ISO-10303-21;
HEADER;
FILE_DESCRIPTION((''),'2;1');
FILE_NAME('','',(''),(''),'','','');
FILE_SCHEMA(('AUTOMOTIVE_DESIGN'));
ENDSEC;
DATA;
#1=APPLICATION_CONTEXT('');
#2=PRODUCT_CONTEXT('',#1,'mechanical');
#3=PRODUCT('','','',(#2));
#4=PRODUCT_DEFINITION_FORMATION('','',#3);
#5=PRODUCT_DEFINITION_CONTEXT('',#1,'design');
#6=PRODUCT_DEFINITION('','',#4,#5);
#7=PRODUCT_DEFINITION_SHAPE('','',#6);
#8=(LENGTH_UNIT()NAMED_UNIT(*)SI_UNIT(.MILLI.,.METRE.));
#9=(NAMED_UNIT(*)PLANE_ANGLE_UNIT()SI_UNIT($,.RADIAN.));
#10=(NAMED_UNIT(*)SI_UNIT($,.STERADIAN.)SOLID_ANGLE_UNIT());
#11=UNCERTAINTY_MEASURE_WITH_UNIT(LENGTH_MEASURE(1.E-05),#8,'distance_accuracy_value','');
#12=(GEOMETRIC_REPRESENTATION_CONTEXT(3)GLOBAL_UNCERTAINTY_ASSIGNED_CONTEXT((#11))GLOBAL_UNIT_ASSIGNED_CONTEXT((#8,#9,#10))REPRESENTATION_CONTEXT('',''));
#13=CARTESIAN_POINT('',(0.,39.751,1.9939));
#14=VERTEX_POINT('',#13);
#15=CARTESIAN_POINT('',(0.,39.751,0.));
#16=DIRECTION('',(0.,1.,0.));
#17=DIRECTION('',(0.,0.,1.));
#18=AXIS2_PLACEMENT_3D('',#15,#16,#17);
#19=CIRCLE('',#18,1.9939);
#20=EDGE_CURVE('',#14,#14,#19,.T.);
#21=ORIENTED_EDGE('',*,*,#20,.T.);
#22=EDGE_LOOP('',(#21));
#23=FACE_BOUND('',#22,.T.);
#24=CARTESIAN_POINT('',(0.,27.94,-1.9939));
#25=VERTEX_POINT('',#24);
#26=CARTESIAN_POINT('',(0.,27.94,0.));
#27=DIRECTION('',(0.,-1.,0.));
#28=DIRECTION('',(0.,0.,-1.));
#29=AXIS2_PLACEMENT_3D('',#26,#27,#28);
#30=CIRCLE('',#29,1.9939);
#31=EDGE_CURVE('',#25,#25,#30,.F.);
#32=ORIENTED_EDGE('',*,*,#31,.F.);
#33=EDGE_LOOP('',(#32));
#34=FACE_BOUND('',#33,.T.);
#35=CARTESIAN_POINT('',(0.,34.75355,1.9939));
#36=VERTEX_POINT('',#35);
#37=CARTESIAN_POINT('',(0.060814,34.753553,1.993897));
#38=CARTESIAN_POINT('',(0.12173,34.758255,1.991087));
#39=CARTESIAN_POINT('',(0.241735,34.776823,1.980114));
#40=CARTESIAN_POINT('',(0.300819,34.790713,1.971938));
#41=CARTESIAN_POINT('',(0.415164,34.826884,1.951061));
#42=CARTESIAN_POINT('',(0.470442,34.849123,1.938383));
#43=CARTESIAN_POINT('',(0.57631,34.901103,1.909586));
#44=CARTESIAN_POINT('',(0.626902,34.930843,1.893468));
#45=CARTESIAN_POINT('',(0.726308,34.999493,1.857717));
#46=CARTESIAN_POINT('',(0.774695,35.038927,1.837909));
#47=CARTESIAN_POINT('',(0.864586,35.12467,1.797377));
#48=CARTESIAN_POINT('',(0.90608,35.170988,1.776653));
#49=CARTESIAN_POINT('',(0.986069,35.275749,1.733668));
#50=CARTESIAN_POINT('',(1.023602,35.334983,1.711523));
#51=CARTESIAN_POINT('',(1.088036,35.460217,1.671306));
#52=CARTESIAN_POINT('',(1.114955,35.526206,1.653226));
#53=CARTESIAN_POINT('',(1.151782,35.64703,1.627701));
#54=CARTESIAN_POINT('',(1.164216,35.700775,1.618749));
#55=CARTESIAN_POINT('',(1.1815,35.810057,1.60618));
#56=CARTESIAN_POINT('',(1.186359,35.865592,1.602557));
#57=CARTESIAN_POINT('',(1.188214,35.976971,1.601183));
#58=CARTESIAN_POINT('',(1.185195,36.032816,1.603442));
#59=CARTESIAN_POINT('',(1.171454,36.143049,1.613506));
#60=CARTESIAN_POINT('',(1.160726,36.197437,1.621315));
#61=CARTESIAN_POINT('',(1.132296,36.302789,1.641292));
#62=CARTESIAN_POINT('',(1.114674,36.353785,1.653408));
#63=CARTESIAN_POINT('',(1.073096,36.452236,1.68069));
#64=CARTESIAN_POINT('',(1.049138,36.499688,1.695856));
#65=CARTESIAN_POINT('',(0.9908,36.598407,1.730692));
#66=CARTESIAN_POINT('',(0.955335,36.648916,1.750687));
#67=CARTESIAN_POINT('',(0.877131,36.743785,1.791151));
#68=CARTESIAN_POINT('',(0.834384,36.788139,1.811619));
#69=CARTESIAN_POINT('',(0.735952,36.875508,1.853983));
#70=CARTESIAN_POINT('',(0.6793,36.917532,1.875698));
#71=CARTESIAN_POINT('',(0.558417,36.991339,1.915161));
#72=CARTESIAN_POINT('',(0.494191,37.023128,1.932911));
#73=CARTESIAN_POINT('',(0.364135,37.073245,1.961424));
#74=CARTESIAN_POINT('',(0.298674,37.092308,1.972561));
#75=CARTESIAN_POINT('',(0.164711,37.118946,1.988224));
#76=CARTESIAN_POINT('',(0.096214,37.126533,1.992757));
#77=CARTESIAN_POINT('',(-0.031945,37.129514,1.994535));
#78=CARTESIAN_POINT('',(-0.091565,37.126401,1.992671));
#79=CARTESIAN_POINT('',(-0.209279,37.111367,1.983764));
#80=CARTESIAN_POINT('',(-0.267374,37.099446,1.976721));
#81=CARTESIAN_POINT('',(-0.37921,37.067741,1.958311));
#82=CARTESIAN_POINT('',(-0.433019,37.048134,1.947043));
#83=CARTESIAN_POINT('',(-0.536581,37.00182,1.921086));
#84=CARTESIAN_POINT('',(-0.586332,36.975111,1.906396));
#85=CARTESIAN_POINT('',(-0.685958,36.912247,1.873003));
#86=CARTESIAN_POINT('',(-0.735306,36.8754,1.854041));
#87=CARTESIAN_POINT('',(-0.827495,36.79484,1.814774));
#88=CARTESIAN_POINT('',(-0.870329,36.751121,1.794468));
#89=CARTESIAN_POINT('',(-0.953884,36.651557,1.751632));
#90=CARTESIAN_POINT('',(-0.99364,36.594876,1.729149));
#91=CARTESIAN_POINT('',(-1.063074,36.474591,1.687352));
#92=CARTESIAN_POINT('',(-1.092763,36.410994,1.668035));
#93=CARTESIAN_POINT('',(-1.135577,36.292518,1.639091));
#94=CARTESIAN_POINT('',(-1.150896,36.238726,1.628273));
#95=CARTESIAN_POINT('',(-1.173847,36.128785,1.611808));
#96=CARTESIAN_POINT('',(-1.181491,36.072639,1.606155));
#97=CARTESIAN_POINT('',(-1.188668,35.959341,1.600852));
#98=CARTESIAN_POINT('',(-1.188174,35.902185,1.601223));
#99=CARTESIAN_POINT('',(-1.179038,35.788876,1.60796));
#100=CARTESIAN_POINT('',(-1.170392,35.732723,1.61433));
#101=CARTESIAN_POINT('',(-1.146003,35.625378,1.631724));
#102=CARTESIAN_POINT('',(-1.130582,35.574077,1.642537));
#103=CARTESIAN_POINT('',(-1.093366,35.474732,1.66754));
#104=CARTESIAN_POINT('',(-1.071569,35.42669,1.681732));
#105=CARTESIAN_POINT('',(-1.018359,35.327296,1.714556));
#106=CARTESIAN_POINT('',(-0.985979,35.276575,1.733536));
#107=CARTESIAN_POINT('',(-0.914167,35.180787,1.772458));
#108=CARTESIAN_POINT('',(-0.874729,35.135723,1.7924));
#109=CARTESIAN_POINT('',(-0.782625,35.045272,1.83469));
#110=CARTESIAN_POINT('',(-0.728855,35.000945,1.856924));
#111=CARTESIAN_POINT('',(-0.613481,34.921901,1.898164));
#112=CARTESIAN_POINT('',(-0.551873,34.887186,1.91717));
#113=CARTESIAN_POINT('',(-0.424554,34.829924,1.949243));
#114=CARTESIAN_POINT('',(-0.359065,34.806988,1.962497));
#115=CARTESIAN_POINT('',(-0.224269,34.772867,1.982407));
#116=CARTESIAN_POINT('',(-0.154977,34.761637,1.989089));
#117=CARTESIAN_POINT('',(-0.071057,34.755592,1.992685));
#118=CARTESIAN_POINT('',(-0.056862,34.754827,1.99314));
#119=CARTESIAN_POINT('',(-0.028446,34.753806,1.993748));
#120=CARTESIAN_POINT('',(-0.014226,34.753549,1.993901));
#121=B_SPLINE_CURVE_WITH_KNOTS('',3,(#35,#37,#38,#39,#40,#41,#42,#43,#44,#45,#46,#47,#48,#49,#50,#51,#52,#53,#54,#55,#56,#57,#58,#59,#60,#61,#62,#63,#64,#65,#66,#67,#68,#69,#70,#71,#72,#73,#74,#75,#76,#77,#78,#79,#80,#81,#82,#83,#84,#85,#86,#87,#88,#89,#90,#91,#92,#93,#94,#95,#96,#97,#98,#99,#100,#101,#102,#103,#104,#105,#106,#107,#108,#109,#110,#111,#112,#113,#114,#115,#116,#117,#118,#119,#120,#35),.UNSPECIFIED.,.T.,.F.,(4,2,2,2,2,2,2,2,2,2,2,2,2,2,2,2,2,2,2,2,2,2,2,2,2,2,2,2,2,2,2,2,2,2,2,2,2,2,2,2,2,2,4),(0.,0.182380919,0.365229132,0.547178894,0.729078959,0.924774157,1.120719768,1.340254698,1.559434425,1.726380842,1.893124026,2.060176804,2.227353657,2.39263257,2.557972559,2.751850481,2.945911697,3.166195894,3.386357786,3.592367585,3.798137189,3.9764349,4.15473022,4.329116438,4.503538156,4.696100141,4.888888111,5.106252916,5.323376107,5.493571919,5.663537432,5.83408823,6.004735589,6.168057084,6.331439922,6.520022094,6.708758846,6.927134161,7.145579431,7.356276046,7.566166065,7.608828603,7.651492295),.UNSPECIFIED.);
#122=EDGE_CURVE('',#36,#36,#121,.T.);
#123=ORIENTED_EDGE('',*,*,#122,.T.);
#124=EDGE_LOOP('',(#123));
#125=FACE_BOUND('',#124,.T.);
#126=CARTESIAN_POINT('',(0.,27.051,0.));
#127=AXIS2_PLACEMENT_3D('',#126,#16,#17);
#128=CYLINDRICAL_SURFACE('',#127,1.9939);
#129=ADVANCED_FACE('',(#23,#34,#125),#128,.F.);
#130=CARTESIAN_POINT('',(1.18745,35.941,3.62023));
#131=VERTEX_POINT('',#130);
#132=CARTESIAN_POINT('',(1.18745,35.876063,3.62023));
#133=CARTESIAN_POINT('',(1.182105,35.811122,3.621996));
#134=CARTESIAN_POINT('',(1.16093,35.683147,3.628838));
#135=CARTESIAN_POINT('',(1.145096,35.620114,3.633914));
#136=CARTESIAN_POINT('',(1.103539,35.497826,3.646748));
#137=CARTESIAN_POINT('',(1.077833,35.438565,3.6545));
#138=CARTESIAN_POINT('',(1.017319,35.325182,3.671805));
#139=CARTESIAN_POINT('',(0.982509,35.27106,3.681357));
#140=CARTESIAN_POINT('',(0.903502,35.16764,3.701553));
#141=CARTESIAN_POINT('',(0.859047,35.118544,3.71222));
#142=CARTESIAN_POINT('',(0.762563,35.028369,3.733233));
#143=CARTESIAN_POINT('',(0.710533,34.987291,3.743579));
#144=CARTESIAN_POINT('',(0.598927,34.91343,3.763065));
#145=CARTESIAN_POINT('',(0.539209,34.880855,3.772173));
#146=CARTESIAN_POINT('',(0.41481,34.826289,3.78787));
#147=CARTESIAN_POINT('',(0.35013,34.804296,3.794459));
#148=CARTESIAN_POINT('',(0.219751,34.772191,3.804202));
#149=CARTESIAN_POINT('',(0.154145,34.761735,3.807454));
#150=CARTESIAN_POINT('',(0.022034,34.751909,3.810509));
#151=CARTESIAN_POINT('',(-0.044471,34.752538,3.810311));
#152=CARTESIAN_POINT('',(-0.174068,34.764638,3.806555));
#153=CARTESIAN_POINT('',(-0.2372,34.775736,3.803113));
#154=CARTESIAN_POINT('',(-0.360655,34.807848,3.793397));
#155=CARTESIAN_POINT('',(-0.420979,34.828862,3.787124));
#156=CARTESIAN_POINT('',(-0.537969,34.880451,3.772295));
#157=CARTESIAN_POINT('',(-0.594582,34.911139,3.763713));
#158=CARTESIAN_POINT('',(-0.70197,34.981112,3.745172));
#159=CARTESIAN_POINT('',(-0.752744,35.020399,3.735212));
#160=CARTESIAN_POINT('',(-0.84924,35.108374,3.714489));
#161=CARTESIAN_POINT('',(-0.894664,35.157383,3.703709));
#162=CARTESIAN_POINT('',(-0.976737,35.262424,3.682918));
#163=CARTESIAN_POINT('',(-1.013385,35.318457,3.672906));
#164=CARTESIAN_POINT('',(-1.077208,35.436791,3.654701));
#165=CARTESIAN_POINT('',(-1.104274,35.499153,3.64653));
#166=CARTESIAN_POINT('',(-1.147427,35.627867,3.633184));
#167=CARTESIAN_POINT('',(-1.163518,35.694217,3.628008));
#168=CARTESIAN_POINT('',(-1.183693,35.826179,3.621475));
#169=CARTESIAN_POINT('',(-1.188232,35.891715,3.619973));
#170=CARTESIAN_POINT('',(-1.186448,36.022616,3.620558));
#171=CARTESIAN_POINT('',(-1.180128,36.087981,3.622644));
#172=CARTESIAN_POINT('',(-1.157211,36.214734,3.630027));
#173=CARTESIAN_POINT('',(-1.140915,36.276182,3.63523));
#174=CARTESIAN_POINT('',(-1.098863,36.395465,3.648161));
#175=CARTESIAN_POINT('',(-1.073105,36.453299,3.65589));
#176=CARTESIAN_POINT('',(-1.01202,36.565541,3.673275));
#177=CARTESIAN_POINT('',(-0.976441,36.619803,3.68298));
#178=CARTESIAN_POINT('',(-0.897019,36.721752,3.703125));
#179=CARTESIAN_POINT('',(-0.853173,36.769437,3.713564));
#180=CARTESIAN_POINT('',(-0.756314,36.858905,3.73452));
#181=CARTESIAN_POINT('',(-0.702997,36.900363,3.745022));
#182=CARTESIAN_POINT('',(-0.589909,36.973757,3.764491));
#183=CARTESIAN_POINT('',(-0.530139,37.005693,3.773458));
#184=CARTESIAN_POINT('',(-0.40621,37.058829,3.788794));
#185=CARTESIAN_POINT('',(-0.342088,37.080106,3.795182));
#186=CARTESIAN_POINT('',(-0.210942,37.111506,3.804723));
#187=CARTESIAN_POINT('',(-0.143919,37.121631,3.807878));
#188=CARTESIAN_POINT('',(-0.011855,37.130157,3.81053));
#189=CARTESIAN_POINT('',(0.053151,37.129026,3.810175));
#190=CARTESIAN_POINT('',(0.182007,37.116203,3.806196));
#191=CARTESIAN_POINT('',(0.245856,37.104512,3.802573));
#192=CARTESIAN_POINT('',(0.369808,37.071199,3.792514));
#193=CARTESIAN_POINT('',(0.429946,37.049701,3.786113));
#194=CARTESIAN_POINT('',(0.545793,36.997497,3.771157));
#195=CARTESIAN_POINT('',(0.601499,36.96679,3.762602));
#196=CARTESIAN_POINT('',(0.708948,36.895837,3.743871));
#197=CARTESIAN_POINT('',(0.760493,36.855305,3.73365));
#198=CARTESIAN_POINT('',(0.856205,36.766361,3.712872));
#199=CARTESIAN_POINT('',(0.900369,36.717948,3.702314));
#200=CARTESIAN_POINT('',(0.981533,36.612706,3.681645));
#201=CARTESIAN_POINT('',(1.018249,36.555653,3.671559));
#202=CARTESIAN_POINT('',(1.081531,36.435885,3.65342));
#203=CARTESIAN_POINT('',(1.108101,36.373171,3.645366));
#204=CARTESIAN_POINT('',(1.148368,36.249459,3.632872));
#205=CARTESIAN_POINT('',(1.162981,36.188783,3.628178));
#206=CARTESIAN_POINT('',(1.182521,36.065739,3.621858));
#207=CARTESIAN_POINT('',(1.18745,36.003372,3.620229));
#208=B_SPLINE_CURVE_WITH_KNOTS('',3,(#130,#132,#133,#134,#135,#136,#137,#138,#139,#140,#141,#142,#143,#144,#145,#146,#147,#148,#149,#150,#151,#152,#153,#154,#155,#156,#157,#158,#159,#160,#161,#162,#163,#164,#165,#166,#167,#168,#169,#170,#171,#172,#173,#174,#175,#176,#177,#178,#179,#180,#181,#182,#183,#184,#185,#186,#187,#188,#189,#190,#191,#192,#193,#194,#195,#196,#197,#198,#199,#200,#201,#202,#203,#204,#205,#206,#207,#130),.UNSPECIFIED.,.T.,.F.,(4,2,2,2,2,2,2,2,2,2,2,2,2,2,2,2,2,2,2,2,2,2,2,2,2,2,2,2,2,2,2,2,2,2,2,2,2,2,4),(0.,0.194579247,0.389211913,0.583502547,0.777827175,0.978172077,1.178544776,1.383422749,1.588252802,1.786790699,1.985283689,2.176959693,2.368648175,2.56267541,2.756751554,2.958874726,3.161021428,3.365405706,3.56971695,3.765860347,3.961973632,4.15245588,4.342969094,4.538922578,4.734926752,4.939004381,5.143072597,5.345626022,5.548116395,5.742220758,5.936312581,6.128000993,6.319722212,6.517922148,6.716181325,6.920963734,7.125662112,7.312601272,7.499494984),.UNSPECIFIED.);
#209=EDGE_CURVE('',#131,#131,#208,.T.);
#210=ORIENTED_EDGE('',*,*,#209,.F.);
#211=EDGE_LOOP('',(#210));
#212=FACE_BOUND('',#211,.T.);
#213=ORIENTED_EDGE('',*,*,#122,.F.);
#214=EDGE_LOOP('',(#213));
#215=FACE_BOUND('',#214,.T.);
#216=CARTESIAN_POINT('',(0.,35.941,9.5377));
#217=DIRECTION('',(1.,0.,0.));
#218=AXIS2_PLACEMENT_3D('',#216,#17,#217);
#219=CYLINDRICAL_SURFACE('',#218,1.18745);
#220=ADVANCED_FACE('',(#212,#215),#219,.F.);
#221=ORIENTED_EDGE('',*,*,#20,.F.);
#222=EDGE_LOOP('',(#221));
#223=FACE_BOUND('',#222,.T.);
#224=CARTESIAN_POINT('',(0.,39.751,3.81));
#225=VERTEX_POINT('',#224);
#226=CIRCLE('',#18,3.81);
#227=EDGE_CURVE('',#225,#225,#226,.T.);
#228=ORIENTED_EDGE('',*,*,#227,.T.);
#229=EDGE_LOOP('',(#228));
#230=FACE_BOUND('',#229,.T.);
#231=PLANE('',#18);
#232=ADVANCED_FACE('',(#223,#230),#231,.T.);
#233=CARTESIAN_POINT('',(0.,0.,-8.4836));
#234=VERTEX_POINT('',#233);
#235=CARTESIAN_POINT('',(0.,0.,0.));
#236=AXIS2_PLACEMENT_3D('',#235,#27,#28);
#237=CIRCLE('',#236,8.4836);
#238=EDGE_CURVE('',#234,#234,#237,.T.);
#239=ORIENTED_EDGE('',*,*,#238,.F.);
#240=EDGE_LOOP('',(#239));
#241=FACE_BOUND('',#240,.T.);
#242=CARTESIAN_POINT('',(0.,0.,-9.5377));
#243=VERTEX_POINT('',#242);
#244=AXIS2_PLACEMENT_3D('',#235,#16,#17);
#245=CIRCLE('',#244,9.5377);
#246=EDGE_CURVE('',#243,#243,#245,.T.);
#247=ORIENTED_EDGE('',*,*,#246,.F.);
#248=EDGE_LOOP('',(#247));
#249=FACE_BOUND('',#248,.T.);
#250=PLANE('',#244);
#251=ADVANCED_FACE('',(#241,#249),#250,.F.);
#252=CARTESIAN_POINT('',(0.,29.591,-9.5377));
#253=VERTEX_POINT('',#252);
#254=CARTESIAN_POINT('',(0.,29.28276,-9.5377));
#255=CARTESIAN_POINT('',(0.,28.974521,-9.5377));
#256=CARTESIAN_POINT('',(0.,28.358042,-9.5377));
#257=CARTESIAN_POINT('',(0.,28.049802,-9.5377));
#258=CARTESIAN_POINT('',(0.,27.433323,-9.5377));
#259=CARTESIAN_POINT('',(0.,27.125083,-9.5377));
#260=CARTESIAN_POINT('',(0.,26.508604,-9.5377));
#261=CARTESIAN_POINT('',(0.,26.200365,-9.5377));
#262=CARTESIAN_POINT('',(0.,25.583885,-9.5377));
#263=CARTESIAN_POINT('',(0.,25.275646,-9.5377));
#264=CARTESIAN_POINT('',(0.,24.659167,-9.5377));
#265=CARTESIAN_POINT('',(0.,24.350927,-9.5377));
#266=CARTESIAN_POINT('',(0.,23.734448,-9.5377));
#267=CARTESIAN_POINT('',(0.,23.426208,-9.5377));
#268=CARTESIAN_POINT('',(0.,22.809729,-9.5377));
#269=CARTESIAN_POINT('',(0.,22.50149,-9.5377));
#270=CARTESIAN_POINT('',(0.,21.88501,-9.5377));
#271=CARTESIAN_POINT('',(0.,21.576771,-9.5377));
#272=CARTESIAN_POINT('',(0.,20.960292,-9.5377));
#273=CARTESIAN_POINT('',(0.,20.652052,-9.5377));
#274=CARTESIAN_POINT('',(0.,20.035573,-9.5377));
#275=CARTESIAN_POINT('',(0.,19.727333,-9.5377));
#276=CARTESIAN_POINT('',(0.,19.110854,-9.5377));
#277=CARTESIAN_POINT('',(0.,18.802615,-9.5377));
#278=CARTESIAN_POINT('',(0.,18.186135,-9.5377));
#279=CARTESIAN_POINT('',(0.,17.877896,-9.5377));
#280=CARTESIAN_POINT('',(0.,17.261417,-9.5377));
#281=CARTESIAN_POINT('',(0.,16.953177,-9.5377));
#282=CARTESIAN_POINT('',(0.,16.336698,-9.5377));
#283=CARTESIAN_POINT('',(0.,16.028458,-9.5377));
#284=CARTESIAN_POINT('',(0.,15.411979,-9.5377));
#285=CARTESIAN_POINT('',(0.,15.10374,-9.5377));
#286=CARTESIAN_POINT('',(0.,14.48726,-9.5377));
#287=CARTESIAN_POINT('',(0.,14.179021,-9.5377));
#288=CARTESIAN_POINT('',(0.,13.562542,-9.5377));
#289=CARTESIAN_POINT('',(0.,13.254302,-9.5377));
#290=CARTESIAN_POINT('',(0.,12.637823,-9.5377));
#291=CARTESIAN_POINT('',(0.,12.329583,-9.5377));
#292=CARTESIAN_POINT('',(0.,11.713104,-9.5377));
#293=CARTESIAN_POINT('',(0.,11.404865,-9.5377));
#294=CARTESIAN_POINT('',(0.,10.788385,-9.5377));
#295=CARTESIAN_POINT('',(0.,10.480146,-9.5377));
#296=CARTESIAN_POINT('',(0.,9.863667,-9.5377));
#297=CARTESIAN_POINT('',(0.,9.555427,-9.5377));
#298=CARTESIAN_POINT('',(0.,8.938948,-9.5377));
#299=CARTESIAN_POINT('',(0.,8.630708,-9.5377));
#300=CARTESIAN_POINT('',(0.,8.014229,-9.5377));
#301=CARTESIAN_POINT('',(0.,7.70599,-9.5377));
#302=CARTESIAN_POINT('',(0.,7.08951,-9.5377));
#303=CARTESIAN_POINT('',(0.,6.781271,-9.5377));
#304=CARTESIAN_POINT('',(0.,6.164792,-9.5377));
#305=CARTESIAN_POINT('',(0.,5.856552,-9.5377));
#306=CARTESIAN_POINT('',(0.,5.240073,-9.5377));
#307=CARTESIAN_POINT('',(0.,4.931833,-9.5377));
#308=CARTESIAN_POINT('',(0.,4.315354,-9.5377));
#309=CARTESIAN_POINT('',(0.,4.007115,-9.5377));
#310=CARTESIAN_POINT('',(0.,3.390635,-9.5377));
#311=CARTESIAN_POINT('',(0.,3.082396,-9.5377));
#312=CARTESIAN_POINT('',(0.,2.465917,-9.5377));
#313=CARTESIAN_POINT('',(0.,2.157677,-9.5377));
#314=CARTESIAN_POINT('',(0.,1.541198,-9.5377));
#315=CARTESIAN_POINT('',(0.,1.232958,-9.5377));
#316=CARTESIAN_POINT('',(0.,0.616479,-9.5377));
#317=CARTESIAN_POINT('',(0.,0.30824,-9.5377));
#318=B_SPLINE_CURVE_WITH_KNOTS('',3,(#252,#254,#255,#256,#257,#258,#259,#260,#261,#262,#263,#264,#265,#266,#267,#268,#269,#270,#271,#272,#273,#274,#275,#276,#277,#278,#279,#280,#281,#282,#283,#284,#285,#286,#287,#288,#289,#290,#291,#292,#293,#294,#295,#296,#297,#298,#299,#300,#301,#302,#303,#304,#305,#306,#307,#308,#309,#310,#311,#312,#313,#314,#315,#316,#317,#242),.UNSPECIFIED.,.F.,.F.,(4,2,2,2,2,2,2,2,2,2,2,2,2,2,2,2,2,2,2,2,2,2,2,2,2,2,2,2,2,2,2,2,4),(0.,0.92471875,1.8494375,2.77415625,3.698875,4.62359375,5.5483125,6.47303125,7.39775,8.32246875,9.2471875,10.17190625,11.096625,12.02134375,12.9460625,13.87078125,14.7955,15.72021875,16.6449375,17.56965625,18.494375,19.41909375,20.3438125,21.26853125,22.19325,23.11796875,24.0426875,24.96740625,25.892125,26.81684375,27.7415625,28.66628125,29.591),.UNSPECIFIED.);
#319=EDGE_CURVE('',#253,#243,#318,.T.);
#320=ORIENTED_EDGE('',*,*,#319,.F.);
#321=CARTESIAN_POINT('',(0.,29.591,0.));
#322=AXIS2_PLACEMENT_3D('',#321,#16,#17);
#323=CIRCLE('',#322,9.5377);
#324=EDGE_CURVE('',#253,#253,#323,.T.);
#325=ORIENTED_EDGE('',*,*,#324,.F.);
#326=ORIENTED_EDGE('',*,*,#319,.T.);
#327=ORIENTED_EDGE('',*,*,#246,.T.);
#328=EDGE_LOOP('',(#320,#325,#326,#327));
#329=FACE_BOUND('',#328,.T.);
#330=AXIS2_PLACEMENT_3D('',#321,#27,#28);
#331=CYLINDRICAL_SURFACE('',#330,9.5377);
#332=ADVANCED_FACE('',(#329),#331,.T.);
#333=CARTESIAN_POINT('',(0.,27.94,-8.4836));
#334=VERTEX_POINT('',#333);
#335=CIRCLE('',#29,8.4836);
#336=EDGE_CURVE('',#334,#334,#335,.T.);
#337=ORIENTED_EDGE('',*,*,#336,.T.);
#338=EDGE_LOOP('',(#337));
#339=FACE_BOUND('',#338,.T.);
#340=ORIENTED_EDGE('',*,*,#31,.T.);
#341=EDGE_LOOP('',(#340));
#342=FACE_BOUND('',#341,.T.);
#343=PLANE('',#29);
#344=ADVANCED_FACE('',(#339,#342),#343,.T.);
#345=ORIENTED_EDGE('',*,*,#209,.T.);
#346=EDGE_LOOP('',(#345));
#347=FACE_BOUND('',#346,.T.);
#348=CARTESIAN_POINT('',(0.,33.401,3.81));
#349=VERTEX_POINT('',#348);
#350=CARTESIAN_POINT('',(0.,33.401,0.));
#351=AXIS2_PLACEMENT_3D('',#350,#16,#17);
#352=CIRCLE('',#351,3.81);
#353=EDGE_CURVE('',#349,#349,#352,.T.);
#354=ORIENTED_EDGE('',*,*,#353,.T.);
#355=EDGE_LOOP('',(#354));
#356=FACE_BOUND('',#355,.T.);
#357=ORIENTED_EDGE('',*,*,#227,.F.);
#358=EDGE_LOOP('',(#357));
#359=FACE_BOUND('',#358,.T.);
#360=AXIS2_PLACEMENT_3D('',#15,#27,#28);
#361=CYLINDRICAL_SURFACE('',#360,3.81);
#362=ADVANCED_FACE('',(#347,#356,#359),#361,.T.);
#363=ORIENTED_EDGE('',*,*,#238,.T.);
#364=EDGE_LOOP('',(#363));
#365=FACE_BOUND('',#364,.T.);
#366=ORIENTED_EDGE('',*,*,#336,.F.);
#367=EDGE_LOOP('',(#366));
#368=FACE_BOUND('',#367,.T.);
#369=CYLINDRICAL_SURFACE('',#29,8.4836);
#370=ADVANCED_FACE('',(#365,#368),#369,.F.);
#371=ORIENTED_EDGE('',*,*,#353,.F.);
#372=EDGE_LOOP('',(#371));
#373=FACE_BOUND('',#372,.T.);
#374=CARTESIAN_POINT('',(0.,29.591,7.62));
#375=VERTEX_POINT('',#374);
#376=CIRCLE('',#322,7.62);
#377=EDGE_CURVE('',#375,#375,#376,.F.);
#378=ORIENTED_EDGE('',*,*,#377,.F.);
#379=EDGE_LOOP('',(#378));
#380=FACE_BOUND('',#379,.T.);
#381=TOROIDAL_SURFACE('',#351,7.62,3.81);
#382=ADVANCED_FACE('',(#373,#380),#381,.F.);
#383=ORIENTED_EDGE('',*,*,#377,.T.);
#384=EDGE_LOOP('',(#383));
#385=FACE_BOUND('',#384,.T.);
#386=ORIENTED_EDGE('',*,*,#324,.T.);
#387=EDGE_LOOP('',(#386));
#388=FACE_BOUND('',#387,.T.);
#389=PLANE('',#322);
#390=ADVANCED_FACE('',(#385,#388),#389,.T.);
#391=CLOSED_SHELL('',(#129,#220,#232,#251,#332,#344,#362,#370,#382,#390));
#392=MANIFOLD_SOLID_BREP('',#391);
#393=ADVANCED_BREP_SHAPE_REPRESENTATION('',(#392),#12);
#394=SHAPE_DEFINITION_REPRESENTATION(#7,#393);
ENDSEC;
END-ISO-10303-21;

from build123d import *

# Parameters (mm, degrees)
SKETCH1_R                 = 9.5377
BOSS_EXTRUDE1_DEPTH       = 29.591
SKETCH2_R                 = 3.81
BOSS_EXTRUDE2_DEPTH       = 10.16
SKETCH3_R                 = 1.9939
CUT_EXTRUDE1_DEPTH        = 12.7
SKETCH4_R                 = 8.4836
CUT_EXTRUDE2_DEPTH        = 27.94
FILLET1_R                 = 3.81
F_4_48_TAPPED_HOLE2_D     = 2.3749
F_4_48_TAPPED_HOLE2_DEPTH = 8.89
F_4_48_TAPPED_HOLE2_TIP   = 0.713491942


with BuildPart() as part:
    # Sketch1 → Boss-Extrude1 (new body)
    with BuildSketch(Plane(origin=(0, 0, 0), x_dir=(1, 0, 0), z_dir=(0, 1, 0))):
        with Locations(Location((0, 0, 0), (0, 0, 90))):
            Circle(SKETCH1_R)
    extrude(amount=BOSS_EXTRUDE1_DEPTH)

    # Sketch2 → Boss-Extrude2 (add)
    with BuildSketch(Plane(origin=(0, 29.591, 0), x_dir=(1, 0, 0), z_dir=(0, 1, 0))):
        with Locations(Location((0, 0, 0), (0, 0, 270))):
            Circle(SKETCH2_R)
    extrude(amount=BOSS_EXTRUDE2_DEPTH)

    # Sketch3 → Cut-Extrude1 (cut)
    with BuildSketch(Plane(origin=(0, 39.751, 0), x_dir=(1, 0, 0), z_dir=(0, 1, 0))):
        with Locations(Location((0, 0, 0), (0, 0, 270))):
            Circle(SKETCH3_R)
    extrude(amount=-CUT_EXTRUDE1_DEPTH, mode=Mode.SUBTRACT)

    # Sketch4 → Cut-Extrude2 (cut)
    with BuildSketch(Plane.XZ):
        with Locations(Location((0, 0, 0), (0, 0, 270))):
            Circle(SKETCH4_R)
    extrude(amount=-CUT_EXTRUDE2_DEPTH, mode=Mode.SUBTRACT)

    # Fillet1
    fillet1_edges = [part.edges().sort_by_distance(p)[0] for p in [
        (0, 29.591, -3.81),
    ]]
    fillet(fillet1_edges, radius=FILLET1_R)

    # #4-48 Tapped Hole2
    with Locations(Plane.XY.offset(9.5377)):
        with Locations((0, 35.941)):
            Hole(F_4_48_TAPPED_HOLE2_D / 2, depth=F_4_48_TAPPED_HOLE2_DEPTH)
            with Locations((0, 0, -(F_4_48_TAPPED_HOLE2_DEPTH + F_4_48_TAPPED_HOLE2_TIP / 2))):  # 118° drill point
                Cone(0, F_4_48_TAPPED_HOLE2_D / 2, F_4_48_TAPPED_HOLE2_TIP, mode=Mode.SUBTRACT)


solid = part.part
